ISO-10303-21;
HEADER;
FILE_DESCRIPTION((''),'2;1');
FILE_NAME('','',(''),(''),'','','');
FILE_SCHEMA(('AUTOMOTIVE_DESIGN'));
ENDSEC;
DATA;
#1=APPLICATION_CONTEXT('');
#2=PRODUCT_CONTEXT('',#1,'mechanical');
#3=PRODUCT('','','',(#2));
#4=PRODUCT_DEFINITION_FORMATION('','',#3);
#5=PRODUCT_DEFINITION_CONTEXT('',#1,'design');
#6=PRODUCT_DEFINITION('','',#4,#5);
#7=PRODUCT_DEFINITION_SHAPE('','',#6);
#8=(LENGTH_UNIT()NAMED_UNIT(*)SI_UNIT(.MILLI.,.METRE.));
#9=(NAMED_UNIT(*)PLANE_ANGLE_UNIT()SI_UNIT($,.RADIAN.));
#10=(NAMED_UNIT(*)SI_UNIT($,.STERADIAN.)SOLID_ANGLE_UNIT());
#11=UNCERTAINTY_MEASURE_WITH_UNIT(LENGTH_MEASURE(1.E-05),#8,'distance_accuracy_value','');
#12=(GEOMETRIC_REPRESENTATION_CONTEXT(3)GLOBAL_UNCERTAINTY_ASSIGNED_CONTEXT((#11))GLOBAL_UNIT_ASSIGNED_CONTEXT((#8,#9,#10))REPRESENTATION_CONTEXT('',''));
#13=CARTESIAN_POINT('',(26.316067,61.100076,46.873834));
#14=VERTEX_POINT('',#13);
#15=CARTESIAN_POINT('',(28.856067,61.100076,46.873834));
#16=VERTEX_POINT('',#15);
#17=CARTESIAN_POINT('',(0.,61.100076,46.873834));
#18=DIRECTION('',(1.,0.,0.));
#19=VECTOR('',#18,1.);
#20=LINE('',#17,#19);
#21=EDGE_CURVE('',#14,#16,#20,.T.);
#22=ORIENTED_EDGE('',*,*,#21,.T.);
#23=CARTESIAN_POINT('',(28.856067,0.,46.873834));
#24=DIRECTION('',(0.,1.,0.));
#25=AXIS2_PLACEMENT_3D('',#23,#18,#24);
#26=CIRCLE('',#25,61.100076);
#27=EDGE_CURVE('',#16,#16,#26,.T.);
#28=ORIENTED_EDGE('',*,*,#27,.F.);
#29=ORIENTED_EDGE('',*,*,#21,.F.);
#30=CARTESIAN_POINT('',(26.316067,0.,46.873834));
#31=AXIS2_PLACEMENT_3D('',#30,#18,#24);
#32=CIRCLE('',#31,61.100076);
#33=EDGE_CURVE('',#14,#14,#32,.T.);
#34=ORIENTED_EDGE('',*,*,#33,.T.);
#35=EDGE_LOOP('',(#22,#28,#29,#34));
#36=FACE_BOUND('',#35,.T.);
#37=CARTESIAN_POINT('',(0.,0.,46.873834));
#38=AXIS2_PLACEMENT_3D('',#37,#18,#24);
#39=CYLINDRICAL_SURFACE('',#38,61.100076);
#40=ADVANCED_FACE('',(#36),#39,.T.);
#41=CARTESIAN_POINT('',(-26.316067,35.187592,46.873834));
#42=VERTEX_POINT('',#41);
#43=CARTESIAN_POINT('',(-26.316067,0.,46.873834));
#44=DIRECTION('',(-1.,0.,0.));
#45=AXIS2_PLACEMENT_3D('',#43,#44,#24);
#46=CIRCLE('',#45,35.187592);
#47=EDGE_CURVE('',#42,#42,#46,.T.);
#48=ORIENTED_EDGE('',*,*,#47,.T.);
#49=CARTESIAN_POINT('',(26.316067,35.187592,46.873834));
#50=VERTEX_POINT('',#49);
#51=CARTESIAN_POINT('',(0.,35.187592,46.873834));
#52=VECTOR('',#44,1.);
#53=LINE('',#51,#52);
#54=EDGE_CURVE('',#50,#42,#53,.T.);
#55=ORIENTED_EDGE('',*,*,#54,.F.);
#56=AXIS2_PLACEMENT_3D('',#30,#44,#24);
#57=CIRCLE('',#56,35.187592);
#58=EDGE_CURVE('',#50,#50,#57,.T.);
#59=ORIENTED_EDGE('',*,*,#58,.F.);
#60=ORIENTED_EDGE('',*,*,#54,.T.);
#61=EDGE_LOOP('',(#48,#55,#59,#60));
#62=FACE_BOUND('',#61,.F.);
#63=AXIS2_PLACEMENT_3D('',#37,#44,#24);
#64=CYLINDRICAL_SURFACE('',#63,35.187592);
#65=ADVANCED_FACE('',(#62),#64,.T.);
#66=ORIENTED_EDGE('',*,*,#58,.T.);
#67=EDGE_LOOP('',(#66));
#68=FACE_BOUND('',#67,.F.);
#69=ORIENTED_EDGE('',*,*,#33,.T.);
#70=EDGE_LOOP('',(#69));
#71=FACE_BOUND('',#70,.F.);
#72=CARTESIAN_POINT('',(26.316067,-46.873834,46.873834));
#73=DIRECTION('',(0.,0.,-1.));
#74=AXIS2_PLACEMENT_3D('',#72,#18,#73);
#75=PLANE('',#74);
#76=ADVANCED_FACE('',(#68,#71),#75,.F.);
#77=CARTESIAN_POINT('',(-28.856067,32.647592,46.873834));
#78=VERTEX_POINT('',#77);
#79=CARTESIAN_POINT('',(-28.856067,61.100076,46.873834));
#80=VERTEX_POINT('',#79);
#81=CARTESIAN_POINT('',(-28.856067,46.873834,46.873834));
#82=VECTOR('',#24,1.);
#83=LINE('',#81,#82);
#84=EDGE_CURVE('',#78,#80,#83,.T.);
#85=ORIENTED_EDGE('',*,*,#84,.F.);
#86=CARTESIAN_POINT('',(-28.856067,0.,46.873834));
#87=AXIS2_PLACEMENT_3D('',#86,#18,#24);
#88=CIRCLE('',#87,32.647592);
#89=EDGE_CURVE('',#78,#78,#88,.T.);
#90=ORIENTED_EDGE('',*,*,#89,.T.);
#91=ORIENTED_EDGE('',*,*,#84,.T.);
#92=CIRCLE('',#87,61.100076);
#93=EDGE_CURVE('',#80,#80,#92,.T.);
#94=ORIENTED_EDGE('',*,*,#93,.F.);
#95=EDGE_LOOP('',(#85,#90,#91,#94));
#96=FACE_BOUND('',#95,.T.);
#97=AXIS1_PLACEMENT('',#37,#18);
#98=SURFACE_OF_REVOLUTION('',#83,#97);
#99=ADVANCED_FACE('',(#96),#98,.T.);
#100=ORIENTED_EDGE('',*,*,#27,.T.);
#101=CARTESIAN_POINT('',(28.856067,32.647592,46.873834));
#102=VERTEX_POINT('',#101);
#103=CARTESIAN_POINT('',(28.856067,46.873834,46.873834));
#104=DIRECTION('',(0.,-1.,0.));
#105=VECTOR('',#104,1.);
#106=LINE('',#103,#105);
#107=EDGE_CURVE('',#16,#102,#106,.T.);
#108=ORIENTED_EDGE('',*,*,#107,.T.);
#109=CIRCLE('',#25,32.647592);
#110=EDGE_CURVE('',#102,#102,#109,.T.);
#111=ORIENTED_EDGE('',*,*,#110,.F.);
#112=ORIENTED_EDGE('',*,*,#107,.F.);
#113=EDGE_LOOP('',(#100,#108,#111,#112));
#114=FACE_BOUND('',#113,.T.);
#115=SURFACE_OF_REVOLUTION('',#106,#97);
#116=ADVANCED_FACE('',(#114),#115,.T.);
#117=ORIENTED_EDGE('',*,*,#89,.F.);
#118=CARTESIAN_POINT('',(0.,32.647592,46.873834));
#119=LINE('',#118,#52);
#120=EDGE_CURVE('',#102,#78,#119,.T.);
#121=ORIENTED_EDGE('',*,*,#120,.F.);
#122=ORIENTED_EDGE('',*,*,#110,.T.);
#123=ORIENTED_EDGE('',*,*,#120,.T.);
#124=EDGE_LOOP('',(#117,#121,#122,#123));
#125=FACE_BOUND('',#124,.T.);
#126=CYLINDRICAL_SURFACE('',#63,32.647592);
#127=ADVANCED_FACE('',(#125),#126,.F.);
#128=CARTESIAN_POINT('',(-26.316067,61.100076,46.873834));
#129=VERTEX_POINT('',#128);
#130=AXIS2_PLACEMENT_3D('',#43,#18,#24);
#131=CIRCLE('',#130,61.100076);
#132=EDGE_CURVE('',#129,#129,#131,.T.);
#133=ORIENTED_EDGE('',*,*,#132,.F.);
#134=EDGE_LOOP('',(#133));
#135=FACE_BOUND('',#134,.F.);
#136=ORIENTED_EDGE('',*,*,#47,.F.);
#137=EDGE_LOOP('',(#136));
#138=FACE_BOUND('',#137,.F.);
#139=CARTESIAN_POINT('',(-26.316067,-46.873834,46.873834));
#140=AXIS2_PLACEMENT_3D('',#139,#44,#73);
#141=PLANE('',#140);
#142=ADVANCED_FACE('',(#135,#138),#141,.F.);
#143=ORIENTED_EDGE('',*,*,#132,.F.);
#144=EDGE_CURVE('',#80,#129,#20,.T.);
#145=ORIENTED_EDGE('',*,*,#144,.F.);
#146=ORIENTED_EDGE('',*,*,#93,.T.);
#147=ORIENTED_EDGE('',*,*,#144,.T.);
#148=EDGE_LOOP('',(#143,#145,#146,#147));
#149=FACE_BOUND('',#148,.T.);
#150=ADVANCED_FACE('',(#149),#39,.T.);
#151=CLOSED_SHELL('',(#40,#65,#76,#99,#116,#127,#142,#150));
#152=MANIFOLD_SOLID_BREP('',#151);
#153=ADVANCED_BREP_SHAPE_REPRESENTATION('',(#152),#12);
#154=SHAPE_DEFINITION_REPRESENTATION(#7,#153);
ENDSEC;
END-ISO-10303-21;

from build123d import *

# Parameters (mm, degrees)
F0_W = 57.7121339738
F0_H = 28.4524839371
F3_T = -2.54


with BuildPart() as f2:
    # F2: sweep along a path in F1
    with BuildLine(Plane.YZ) as f2_path:
        CenterArc((0, 46.8738339841), 46.8738339841, 0, 360)
    # F0 (on Front) → F2 (sweep)
    with BuildSketch(Plane.XZ):
        Rectangle(F0_W, F0_H)
    sweep(path=f2_path.line)

    # F3
    f3_openings = [f2.faces().sort_by_distance(p)[0] for p in [
        (0, -61.100076, 46.873834),
    ]]
    offset(amount=F3_T, openings=f3_openings)


solid = f2.part
